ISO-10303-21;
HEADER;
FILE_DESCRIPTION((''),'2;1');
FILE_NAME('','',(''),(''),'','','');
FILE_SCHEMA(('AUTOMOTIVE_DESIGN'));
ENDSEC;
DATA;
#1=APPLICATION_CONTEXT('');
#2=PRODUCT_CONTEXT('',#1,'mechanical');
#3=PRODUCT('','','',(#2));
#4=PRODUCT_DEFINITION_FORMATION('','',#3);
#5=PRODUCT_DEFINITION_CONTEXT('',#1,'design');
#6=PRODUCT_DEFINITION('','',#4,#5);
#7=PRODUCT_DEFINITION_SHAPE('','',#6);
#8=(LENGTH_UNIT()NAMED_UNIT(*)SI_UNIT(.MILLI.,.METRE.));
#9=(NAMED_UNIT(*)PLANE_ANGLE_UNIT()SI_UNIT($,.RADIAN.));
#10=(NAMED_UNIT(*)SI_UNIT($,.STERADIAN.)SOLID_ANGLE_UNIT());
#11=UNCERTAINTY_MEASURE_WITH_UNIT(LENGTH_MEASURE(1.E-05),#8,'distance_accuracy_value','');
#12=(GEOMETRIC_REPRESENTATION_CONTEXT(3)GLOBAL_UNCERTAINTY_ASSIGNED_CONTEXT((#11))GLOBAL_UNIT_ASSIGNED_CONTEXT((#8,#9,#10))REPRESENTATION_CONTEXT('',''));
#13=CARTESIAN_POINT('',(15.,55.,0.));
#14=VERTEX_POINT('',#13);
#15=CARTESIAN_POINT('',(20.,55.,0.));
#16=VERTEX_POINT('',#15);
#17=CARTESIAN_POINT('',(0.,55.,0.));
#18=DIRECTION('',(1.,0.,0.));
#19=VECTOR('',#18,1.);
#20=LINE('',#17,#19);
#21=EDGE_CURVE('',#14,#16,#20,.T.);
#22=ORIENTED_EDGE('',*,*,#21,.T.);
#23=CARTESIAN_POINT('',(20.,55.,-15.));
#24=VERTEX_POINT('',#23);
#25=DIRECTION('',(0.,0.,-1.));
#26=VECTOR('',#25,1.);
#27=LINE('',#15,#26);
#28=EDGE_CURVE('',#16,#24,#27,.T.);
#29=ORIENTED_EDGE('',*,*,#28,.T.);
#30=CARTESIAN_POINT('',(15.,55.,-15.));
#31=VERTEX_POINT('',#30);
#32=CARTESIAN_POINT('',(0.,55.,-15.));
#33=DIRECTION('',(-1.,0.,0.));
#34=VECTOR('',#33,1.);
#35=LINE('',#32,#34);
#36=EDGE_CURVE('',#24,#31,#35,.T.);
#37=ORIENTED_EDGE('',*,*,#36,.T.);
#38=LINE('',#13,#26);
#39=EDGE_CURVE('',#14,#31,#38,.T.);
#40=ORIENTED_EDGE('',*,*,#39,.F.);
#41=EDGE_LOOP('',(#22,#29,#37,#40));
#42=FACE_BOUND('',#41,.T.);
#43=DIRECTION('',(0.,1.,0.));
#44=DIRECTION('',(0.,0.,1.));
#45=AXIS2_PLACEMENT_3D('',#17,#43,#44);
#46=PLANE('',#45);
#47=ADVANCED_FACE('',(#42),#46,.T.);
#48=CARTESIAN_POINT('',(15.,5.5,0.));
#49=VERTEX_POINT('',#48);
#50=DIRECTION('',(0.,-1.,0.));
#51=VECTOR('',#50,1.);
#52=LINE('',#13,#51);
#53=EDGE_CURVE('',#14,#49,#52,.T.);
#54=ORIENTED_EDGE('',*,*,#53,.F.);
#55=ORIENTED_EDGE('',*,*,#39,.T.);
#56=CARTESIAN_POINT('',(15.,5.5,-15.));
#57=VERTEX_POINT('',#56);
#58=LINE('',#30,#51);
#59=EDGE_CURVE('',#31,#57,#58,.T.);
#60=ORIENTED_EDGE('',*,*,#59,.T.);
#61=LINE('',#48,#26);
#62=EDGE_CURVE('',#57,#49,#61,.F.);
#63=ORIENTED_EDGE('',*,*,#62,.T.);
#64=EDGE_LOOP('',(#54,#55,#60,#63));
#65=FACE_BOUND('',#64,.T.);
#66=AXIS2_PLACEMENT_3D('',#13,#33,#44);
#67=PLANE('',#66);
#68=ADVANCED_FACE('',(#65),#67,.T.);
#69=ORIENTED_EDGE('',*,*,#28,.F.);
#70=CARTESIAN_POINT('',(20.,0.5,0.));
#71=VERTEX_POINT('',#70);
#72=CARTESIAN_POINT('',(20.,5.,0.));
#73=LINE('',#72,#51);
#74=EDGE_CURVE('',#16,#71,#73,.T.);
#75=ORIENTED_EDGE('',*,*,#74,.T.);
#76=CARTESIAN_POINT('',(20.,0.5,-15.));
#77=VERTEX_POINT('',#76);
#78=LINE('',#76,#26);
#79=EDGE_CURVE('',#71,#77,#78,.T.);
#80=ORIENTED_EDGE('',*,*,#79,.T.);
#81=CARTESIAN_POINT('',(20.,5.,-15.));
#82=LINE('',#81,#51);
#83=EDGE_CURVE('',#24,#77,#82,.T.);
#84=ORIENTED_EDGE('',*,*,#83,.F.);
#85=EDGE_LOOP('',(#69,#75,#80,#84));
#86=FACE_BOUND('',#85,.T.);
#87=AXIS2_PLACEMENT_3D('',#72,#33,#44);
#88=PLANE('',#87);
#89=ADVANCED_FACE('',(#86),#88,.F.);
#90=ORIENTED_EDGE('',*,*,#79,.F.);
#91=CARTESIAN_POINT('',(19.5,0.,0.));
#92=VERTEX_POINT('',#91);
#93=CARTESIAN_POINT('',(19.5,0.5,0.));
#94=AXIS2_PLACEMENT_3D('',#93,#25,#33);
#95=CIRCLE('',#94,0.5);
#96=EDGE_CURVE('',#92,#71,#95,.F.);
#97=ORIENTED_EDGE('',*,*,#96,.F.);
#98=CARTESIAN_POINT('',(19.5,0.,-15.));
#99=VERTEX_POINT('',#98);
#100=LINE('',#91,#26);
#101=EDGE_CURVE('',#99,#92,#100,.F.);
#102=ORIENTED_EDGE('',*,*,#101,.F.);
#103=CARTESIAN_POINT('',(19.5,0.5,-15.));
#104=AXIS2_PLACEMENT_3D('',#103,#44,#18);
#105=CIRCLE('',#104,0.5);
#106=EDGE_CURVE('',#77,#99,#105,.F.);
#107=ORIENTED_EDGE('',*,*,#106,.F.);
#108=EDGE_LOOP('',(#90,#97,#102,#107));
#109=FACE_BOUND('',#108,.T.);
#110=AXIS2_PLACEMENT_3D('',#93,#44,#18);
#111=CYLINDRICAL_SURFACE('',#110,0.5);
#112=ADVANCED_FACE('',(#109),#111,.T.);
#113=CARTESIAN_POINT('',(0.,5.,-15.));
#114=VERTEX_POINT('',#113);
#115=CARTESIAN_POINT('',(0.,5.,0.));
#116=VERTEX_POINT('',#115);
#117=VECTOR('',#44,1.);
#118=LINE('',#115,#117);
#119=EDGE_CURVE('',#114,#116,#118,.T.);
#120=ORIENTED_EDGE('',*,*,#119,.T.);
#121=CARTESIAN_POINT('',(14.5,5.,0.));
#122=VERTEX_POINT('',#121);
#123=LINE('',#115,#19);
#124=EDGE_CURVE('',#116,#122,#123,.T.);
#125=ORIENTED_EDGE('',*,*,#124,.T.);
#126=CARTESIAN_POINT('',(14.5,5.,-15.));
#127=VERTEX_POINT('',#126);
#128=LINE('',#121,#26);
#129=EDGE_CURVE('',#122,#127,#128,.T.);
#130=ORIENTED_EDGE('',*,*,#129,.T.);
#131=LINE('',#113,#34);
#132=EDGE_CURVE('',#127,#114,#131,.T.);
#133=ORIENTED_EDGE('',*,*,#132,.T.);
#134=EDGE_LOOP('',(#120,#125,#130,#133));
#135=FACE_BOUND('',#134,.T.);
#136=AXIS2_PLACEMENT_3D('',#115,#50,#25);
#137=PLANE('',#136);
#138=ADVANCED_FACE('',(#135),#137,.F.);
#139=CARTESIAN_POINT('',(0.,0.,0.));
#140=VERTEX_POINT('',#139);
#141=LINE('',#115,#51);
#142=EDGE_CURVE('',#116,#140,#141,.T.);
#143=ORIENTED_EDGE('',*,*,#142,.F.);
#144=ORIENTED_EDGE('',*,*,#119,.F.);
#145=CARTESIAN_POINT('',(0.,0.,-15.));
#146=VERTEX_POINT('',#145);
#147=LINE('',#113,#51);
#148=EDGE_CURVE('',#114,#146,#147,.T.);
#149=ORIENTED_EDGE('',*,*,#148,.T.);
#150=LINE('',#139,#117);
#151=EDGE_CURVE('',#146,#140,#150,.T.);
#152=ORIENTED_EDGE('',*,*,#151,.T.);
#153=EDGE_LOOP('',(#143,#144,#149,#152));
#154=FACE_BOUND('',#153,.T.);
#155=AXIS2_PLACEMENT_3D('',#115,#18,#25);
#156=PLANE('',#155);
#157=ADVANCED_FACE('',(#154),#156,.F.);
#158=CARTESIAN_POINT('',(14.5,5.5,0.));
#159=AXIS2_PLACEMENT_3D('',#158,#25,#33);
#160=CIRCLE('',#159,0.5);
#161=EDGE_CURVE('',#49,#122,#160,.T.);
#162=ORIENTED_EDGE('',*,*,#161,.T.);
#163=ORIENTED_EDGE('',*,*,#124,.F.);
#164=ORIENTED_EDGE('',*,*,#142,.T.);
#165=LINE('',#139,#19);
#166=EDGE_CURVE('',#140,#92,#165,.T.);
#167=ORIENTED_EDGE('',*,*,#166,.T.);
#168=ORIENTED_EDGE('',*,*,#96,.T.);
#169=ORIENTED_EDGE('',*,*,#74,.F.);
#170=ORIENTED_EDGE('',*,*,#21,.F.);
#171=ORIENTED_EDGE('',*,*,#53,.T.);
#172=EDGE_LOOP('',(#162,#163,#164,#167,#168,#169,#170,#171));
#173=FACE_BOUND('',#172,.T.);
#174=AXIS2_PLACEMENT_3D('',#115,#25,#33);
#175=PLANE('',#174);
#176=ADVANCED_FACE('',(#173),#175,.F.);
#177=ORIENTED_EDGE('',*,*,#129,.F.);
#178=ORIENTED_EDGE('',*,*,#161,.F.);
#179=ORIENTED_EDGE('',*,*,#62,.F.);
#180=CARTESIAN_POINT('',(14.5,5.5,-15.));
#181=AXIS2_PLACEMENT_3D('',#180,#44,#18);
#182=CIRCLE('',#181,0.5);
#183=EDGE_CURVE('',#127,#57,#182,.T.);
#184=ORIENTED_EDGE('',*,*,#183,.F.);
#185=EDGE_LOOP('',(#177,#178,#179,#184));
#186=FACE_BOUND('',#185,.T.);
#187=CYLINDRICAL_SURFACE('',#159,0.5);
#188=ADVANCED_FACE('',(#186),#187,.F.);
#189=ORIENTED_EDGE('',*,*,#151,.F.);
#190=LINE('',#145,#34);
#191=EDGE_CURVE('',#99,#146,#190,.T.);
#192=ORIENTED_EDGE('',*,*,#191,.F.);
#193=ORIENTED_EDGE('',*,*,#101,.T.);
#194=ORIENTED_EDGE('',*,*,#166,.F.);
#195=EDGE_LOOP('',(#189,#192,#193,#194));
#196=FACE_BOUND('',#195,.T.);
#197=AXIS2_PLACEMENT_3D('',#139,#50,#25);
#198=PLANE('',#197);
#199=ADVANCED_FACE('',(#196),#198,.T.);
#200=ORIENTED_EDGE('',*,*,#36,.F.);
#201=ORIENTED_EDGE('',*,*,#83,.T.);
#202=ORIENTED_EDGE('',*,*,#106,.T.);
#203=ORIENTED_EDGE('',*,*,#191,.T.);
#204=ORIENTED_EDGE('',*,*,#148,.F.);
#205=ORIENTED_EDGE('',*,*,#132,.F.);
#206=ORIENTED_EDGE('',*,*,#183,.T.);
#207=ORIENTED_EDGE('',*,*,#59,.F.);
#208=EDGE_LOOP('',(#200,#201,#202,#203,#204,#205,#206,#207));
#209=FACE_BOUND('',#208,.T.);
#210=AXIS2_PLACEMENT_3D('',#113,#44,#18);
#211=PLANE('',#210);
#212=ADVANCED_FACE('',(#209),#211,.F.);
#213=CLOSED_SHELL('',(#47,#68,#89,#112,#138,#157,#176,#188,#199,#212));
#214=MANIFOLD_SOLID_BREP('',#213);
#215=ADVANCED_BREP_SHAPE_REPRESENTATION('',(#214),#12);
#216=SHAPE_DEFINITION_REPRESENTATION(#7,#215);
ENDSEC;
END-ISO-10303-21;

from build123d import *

# Parameters (mm, degrees)
SKETCH2_W           = 20
SKETCH2_H           = 15
BOSS_EXTRUDE1_DEPTH = 5
SKETCH3_W           = 5
SKETCH3_H           = 15
BOSS_EXTRUDE2_DEPTH = 50
FILLET1_R           = 0.5
FILLET2_R           = 0.5


with BuildPart() as part:
    # Sketch2 → Boss-Extrude1 (new body)
    with BuildSketch(Plane(origin=(0, 0, 0), x_dir=(1, 0, 0), z_dir=(0, 1, 0))):
        with Locations((10, 7.5)):
            Rectangle(SKETCH2_W, SKETCH2_H)
    extrude(amount=BOSS_EXTRUDE1_DEPTH)

    # Sketch3 → Boss-Extrude2 (add)
    with BuildSketch(Plane(origin=(0, 5, 0), x_dir=(1, 0, 0), z_dir=(0, 1, 0))):
        with Locations((17.5, 7.5)):
            Rectangle(SKETCH3_W, SKETCH3_H)
    extrude(amount=BOSS_EXTRUDE2_DEPTH)

    # Fillet1
    fillet1_edges = [part.edges().sort_by_distance(p)[0] for p in [
        (20, 0, -7.5),
    ]]
    fillet(fillet1_edges, radius=FILLET1_R)

    # Fillet2
    fillet2_edges = [part.edges().sort_by_distance(p)[0] for p in [
        (15, 5, -7.5),
    ]]
    fillet(fillet2_edges, radius=FILLET2_R)


solid = part.part
